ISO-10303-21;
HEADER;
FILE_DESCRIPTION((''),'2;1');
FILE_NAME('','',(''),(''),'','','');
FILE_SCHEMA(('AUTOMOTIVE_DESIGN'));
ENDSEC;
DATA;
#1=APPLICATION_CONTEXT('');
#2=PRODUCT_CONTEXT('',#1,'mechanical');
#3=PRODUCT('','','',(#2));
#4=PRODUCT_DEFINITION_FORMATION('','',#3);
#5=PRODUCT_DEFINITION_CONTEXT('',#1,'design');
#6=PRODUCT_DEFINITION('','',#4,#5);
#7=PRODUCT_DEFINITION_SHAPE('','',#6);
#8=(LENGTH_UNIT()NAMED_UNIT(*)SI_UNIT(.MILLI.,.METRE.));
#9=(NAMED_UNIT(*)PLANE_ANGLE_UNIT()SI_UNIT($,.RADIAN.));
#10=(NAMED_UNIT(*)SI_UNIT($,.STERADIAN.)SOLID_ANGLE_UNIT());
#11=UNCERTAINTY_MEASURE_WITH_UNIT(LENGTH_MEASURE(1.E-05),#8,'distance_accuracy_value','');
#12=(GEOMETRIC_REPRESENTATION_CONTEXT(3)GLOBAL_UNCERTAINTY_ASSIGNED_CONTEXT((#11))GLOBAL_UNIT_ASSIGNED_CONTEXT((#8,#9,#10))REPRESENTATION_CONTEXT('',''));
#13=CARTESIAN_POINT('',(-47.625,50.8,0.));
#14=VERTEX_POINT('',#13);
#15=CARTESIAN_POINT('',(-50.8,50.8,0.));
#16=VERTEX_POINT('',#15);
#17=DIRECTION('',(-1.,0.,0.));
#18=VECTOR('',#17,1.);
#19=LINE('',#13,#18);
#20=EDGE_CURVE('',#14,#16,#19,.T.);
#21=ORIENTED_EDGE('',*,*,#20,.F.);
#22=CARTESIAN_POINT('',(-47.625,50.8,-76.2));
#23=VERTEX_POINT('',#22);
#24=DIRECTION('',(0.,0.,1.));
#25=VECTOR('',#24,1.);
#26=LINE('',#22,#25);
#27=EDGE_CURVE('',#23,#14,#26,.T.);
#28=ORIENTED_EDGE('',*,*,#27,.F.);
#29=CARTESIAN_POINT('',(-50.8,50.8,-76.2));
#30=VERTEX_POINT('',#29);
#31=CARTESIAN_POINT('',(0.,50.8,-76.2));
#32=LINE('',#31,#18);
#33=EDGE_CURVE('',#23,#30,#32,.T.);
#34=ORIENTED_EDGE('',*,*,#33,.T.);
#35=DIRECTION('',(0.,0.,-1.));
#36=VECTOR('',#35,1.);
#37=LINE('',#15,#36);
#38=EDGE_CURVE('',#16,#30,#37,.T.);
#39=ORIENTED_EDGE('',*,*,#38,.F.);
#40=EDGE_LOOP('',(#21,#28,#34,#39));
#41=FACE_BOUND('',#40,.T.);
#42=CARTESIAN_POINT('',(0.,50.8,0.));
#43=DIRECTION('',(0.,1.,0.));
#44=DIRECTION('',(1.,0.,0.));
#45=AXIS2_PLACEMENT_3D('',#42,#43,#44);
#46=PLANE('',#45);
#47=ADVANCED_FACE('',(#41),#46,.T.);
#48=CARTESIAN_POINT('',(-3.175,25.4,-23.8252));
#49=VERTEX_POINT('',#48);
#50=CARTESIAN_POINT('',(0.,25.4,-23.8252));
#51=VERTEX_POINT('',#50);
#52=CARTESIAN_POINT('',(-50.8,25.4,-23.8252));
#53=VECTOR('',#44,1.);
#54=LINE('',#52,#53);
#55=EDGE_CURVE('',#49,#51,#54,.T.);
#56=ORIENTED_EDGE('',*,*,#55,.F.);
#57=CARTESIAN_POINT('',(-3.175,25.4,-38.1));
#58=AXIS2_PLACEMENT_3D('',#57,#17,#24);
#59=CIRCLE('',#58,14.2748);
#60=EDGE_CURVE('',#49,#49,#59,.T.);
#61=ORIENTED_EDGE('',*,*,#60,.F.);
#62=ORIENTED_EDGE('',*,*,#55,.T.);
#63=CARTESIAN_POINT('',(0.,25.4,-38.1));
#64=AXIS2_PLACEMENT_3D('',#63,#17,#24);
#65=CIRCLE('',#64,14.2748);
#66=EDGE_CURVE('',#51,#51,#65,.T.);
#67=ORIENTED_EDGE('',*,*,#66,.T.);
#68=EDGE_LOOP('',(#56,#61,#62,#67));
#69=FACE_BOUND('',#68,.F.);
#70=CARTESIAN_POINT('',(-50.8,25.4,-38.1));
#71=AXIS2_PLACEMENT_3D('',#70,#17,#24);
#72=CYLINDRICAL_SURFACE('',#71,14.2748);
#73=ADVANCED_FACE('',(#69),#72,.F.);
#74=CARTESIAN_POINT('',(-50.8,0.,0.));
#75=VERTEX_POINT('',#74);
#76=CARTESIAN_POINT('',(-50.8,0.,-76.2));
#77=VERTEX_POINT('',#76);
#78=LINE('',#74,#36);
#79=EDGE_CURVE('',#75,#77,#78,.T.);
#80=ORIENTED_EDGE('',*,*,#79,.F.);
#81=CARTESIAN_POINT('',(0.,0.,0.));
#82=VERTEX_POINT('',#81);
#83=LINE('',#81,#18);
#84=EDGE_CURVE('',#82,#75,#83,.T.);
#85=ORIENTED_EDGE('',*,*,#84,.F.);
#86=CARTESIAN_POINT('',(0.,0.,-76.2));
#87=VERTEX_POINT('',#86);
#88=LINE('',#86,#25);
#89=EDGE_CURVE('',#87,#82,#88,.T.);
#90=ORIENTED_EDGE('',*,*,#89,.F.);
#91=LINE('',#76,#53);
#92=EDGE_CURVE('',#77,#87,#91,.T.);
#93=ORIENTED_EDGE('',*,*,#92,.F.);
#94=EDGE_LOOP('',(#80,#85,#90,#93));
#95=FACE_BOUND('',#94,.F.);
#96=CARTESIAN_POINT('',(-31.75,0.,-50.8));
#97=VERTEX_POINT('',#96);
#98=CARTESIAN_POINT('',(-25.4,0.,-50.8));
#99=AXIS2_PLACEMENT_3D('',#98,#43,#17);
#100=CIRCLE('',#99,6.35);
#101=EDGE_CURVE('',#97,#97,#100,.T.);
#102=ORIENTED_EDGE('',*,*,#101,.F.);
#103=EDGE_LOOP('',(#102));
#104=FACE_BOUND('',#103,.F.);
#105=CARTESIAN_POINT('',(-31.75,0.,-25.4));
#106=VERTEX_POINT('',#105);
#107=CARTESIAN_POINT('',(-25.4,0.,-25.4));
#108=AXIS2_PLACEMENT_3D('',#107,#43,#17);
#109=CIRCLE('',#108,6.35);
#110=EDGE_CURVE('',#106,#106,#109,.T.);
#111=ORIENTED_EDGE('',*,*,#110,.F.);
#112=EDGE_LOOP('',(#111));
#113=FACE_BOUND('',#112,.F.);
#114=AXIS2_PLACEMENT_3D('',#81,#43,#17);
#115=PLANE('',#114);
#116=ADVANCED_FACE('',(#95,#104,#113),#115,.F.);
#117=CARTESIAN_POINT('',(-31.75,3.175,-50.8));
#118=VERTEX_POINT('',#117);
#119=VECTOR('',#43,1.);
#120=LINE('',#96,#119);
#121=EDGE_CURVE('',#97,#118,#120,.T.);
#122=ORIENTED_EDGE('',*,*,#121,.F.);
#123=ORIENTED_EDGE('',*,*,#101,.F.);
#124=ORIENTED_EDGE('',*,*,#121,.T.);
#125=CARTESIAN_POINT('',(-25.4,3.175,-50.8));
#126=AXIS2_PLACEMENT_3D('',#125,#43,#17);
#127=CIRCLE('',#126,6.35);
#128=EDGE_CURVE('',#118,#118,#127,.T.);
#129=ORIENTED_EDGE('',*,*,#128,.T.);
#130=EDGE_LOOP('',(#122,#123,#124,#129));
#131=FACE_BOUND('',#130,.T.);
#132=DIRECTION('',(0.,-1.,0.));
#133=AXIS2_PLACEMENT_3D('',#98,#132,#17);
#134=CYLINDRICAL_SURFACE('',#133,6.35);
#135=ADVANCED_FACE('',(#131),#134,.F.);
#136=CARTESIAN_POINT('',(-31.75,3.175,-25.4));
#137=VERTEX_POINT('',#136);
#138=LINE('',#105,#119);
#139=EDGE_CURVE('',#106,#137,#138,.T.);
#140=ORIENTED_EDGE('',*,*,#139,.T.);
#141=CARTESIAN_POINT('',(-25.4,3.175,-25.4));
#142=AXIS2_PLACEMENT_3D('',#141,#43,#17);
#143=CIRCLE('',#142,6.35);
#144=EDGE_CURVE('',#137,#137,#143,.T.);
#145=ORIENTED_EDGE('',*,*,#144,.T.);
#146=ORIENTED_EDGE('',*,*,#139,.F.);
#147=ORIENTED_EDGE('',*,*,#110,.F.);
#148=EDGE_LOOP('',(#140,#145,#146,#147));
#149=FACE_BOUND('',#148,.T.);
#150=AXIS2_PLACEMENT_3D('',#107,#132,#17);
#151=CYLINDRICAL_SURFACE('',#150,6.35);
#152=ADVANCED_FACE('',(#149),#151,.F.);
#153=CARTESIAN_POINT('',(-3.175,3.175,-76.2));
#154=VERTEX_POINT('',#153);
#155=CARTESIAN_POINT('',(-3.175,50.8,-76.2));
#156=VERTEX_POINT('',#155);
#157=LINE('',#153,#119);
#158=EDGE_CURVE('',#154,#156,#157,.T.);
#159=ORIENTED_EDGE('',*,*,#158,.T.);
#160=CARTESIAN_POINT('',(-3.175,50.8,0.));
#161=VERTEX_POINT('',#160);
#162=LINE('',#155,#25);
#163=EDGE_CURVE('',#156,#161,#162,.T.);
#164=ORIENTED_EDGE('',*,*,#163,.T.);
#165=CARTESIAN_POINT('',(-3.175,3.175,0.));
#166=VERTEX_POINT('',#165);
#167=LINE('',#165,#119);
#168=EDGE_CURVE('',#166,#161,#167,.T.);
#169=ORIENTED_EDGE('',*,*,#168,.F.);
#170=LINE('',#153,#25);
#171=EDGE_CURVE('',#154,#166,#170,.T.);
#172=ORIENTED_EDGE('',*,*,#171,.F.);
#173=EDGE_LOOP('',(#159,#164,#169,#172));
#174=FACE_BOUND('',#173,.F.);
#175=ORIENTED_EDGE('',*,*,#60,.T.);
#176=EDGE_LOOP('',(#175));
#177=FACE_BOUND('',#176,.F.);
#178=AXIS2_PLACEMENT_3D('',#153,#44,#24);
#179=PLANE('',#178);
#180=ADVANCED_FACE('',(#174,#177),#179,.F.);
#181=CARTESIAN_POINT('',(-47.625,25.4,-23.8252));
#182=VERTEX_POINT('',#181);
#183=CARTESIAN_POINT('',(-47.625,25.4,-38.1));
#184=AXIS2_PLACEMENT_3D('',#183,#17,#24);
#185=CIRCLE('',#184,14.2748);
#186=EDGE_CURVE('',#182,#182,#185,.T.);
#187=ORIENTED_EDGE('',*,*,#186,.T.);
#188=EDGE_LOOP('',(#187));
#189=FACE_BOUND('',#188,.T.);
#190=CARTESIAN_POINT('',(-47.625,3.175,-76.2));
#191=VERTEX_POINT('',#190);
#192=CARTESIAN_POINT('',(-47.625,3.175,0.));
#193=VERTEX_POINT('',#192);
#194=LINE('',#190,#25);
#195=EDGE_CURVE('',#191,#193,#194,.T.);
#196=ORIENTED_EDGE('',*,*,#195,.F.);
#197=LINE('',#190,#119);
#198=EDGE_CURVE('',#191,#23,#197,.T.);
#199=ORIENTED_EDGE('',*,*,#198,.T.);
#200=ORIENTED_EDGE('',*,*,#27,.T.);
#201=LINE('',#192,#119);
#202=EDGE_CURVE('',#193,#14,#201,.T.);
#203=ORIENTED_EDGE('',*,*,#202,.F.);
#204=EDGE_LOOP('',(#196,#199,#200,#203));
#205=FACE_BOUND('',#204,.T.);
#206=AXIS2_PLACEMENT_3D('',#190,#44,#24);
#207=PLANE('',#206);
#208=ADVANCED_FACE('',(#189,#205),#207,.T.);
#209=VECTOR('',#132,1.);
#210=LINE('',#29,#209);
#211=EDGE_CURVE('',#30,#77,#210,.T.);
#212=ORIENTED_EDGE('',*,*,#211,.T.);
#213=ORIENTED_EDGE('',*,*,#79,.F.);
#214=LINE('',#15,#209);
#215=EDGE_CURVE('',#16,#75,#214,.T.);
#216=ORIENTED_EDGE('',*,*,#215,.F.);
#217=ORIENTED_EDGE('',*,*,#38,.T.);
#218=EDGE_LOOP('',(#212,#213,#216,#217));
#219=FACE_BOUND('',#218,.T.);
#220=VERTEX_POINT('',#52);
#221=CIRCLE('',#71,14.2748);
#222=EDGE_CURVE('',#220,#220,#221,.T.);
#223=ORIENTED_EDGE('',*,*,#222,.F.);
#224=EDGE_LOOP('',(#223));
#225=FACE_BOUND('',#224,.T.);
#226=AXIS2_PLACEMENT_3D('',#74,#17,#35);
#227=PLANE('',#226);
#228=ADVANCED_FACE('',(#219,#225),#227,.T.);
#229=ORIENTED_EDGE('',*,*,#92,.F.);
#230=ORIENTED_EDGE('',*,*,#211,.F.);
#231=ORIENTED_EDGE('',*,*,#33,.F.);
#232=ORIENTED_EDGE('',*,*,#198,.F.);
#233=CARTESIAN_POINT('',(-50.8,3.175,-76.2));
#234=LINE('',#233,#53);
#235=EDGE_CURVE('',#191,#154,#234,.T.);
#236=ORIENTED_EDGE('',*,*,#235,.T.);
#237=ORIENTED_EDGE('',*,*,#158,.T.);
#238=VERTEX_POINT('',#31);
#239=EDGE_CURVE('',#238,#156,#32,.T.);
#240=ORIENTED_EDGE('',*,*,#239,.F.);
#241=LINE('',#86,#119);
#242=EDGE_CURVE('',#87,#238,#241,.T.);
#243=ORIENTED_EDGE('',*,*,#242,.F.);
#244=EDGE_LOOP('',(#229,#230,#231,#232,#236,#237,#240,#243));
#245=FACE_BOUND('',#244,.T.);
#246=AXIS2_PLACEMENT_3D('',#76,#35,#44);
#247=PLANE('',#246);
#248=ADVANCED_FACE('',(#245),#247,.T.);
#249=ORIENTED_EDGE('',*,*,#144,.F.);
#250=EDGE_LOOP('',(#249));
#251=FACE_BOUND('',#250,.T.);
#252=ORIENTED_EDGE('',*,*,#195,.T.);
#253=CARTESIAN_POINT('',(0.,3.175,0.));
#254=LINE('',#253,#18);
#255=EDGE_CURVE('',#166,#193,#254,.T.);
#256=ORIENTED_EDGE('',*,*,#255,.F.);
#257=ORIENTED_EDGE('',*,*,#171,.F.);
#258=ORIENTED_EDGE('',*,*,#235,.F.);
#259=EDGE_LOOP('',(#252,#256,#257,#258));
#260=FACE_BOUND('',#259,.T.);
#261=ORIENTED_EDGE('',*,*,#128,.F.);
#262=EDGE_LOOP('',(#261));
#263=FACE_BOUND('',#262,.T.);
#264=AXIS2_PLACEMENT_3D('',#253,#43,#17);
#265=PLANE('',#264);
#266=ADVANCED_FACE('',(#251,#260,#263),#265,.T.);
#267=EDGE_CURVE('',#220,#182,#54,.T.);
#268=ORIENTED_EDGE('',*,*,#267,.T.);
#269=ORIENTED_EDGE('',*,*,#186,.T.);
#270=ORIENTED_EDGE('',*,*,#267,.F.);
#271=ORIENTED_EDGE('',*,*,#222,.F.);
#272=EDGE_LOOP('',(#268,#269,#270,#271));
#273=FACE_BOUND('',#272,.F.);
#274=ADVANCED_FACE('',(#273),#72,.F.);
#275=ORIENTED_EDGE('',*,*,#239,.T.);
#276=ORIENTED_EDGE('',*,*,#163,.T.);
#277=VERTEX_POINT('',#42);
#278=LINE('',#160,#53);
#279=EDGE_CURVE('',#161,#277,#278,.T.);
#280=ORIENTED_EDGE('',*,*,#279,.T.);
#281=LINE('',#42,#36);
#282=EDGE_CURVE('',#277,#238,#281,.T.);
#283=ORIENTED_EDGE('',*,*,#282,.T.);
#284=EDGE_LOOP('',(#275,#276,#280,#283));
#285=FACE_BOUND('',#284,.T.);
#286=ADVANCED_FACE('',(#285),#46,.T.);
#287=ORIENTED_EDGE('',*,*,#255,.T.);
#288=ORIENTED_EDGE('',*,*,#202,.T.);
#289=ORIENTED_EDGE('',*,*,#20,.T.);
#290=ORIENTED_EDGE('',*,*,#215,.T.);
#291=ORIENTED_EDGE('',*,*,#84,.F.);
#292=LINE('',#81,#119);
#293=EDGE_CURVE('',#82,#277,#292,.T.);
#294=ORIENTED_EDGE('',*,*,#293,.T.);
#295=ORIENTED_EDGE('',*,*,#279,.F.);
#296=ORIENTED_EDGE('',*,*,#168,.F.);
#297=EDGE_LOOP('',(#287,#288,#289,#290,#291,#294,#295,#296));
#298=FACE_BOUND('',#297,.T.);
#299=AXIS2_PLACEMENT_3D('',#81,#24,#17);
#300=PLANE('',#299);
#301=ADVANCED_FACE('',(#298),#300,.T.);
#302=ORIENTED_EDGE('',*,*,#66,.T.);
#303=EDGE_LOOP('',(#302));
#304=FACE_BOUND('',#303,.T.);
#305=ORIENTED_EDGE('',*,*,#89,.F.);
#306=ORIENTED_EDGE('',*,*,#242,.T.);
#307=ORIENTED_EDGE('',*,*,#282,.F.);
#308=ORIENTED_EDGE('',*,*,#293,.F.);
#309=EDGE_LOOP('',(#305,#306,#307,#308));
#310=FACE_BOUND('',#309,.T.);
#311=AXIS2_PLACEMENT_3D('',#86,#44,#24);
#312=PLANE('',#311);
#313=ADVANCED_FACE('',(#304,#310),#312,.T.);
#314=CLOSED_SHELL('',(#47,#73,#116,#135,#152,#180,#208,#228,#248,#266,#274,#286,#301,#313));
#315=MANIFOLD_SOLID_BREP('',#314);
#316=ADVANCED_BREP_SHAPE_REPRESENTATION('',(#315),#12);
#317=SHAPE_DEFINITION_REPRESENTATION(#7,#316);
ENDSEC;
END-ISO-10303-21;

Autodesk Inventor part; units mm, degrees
ref_plane "YZ Plane" through (0, 0, 0) normal (1, 0, 0) x (0, 1, 0)
ref_plane "XZ Plane" through (0, 0, 0) normal (0, 1, 0) x (-1, 0, 0)
ref_plane "XY Plane" through (0, 0, 0) normal (0, 0, 1) x (1, 0, 0)
sketch "Sketch1" plane through (0, 0, 0) normal (0, 1, 0) x (-1, 0, 0)
  line L0 (0, 0) -> (50.8, 0)
  line L1 (50.8, 0) -> (50.8, -76.2)
  line L2 (50.8, -76.2) -> (0, -76.2)
  line L3 (0, -76.2) -> (0, 0)
  circle A0 centre (25.4, -50.8) radius 6.35
  circle A1 centre (25.4, -25.4) radius 6.35
  dimension "d0" = 50.8
  dimension "d1" = 76.2
  dimension "d13" = 25.4
  dimension "d14" = 25.4
  dimension "d15" = 25.4
  dimension "d16" = 25.4
  dimension "d17" = 12.7
  dimension "d18" = 12.7
extrude "Extrusion3" add sketch "Sketch1" along normal blind 3.175
sketch "Sketch5" plane through (0, 3.175, 0) normal (0, 1, 0) x (1, 0, 0)
  line L0 (0, 76.2) -> (-50.8, 76.2) projected
  line L1 (-50.8, 76.2) -> (-47.625, 76.2)
  line L2 (-47.625, 76.2) -> (-47.625, 0)
  line L3 (-47.625, 0) -> (-50.8, 0)
  line L4 (-50.8, 0) -> (-50.8, 76.2)
  line L5 (0, 76.2) -> (-3.175, 76.2)
  line L6 (-3.175, 76.2) -> (-3.175, 0)
  line L7 (-3.175, 0) -> (0, 0)
  line L8 (0, 0) -> (0, 76.2)
  point P0 (0, 0)
  dimension "d21" = 3.175
  dimension "d22" = 3.175
  dimension "d23" = 76.2
  dimension "d24" = 76.2
extrude "Extrusion4" add sketch "Sketch5" along normal blind 47.625
sketch "Sketch6" plane through (-50.8, 0, -76.2) normal (-1, 0, 0) x (0, 0, 1)
  circle A0 centre (38.1, 25.4) radius 14.2748
  line L0 (76.2, 0) -> (76.2, 50.8) projected
  line L1 (76.2, 0) -> (0, 0) projected
  dimension "d27" = 28.5496
  dimension "d28" = 38.1
  dimension "d29" = 25.4
extrude "Extrusion6" cut sketch "Sketch6" against normal blind 50.8
equation "\"d24\" = d23"
properties part number "Scaling Arms Mounting Bracket"
